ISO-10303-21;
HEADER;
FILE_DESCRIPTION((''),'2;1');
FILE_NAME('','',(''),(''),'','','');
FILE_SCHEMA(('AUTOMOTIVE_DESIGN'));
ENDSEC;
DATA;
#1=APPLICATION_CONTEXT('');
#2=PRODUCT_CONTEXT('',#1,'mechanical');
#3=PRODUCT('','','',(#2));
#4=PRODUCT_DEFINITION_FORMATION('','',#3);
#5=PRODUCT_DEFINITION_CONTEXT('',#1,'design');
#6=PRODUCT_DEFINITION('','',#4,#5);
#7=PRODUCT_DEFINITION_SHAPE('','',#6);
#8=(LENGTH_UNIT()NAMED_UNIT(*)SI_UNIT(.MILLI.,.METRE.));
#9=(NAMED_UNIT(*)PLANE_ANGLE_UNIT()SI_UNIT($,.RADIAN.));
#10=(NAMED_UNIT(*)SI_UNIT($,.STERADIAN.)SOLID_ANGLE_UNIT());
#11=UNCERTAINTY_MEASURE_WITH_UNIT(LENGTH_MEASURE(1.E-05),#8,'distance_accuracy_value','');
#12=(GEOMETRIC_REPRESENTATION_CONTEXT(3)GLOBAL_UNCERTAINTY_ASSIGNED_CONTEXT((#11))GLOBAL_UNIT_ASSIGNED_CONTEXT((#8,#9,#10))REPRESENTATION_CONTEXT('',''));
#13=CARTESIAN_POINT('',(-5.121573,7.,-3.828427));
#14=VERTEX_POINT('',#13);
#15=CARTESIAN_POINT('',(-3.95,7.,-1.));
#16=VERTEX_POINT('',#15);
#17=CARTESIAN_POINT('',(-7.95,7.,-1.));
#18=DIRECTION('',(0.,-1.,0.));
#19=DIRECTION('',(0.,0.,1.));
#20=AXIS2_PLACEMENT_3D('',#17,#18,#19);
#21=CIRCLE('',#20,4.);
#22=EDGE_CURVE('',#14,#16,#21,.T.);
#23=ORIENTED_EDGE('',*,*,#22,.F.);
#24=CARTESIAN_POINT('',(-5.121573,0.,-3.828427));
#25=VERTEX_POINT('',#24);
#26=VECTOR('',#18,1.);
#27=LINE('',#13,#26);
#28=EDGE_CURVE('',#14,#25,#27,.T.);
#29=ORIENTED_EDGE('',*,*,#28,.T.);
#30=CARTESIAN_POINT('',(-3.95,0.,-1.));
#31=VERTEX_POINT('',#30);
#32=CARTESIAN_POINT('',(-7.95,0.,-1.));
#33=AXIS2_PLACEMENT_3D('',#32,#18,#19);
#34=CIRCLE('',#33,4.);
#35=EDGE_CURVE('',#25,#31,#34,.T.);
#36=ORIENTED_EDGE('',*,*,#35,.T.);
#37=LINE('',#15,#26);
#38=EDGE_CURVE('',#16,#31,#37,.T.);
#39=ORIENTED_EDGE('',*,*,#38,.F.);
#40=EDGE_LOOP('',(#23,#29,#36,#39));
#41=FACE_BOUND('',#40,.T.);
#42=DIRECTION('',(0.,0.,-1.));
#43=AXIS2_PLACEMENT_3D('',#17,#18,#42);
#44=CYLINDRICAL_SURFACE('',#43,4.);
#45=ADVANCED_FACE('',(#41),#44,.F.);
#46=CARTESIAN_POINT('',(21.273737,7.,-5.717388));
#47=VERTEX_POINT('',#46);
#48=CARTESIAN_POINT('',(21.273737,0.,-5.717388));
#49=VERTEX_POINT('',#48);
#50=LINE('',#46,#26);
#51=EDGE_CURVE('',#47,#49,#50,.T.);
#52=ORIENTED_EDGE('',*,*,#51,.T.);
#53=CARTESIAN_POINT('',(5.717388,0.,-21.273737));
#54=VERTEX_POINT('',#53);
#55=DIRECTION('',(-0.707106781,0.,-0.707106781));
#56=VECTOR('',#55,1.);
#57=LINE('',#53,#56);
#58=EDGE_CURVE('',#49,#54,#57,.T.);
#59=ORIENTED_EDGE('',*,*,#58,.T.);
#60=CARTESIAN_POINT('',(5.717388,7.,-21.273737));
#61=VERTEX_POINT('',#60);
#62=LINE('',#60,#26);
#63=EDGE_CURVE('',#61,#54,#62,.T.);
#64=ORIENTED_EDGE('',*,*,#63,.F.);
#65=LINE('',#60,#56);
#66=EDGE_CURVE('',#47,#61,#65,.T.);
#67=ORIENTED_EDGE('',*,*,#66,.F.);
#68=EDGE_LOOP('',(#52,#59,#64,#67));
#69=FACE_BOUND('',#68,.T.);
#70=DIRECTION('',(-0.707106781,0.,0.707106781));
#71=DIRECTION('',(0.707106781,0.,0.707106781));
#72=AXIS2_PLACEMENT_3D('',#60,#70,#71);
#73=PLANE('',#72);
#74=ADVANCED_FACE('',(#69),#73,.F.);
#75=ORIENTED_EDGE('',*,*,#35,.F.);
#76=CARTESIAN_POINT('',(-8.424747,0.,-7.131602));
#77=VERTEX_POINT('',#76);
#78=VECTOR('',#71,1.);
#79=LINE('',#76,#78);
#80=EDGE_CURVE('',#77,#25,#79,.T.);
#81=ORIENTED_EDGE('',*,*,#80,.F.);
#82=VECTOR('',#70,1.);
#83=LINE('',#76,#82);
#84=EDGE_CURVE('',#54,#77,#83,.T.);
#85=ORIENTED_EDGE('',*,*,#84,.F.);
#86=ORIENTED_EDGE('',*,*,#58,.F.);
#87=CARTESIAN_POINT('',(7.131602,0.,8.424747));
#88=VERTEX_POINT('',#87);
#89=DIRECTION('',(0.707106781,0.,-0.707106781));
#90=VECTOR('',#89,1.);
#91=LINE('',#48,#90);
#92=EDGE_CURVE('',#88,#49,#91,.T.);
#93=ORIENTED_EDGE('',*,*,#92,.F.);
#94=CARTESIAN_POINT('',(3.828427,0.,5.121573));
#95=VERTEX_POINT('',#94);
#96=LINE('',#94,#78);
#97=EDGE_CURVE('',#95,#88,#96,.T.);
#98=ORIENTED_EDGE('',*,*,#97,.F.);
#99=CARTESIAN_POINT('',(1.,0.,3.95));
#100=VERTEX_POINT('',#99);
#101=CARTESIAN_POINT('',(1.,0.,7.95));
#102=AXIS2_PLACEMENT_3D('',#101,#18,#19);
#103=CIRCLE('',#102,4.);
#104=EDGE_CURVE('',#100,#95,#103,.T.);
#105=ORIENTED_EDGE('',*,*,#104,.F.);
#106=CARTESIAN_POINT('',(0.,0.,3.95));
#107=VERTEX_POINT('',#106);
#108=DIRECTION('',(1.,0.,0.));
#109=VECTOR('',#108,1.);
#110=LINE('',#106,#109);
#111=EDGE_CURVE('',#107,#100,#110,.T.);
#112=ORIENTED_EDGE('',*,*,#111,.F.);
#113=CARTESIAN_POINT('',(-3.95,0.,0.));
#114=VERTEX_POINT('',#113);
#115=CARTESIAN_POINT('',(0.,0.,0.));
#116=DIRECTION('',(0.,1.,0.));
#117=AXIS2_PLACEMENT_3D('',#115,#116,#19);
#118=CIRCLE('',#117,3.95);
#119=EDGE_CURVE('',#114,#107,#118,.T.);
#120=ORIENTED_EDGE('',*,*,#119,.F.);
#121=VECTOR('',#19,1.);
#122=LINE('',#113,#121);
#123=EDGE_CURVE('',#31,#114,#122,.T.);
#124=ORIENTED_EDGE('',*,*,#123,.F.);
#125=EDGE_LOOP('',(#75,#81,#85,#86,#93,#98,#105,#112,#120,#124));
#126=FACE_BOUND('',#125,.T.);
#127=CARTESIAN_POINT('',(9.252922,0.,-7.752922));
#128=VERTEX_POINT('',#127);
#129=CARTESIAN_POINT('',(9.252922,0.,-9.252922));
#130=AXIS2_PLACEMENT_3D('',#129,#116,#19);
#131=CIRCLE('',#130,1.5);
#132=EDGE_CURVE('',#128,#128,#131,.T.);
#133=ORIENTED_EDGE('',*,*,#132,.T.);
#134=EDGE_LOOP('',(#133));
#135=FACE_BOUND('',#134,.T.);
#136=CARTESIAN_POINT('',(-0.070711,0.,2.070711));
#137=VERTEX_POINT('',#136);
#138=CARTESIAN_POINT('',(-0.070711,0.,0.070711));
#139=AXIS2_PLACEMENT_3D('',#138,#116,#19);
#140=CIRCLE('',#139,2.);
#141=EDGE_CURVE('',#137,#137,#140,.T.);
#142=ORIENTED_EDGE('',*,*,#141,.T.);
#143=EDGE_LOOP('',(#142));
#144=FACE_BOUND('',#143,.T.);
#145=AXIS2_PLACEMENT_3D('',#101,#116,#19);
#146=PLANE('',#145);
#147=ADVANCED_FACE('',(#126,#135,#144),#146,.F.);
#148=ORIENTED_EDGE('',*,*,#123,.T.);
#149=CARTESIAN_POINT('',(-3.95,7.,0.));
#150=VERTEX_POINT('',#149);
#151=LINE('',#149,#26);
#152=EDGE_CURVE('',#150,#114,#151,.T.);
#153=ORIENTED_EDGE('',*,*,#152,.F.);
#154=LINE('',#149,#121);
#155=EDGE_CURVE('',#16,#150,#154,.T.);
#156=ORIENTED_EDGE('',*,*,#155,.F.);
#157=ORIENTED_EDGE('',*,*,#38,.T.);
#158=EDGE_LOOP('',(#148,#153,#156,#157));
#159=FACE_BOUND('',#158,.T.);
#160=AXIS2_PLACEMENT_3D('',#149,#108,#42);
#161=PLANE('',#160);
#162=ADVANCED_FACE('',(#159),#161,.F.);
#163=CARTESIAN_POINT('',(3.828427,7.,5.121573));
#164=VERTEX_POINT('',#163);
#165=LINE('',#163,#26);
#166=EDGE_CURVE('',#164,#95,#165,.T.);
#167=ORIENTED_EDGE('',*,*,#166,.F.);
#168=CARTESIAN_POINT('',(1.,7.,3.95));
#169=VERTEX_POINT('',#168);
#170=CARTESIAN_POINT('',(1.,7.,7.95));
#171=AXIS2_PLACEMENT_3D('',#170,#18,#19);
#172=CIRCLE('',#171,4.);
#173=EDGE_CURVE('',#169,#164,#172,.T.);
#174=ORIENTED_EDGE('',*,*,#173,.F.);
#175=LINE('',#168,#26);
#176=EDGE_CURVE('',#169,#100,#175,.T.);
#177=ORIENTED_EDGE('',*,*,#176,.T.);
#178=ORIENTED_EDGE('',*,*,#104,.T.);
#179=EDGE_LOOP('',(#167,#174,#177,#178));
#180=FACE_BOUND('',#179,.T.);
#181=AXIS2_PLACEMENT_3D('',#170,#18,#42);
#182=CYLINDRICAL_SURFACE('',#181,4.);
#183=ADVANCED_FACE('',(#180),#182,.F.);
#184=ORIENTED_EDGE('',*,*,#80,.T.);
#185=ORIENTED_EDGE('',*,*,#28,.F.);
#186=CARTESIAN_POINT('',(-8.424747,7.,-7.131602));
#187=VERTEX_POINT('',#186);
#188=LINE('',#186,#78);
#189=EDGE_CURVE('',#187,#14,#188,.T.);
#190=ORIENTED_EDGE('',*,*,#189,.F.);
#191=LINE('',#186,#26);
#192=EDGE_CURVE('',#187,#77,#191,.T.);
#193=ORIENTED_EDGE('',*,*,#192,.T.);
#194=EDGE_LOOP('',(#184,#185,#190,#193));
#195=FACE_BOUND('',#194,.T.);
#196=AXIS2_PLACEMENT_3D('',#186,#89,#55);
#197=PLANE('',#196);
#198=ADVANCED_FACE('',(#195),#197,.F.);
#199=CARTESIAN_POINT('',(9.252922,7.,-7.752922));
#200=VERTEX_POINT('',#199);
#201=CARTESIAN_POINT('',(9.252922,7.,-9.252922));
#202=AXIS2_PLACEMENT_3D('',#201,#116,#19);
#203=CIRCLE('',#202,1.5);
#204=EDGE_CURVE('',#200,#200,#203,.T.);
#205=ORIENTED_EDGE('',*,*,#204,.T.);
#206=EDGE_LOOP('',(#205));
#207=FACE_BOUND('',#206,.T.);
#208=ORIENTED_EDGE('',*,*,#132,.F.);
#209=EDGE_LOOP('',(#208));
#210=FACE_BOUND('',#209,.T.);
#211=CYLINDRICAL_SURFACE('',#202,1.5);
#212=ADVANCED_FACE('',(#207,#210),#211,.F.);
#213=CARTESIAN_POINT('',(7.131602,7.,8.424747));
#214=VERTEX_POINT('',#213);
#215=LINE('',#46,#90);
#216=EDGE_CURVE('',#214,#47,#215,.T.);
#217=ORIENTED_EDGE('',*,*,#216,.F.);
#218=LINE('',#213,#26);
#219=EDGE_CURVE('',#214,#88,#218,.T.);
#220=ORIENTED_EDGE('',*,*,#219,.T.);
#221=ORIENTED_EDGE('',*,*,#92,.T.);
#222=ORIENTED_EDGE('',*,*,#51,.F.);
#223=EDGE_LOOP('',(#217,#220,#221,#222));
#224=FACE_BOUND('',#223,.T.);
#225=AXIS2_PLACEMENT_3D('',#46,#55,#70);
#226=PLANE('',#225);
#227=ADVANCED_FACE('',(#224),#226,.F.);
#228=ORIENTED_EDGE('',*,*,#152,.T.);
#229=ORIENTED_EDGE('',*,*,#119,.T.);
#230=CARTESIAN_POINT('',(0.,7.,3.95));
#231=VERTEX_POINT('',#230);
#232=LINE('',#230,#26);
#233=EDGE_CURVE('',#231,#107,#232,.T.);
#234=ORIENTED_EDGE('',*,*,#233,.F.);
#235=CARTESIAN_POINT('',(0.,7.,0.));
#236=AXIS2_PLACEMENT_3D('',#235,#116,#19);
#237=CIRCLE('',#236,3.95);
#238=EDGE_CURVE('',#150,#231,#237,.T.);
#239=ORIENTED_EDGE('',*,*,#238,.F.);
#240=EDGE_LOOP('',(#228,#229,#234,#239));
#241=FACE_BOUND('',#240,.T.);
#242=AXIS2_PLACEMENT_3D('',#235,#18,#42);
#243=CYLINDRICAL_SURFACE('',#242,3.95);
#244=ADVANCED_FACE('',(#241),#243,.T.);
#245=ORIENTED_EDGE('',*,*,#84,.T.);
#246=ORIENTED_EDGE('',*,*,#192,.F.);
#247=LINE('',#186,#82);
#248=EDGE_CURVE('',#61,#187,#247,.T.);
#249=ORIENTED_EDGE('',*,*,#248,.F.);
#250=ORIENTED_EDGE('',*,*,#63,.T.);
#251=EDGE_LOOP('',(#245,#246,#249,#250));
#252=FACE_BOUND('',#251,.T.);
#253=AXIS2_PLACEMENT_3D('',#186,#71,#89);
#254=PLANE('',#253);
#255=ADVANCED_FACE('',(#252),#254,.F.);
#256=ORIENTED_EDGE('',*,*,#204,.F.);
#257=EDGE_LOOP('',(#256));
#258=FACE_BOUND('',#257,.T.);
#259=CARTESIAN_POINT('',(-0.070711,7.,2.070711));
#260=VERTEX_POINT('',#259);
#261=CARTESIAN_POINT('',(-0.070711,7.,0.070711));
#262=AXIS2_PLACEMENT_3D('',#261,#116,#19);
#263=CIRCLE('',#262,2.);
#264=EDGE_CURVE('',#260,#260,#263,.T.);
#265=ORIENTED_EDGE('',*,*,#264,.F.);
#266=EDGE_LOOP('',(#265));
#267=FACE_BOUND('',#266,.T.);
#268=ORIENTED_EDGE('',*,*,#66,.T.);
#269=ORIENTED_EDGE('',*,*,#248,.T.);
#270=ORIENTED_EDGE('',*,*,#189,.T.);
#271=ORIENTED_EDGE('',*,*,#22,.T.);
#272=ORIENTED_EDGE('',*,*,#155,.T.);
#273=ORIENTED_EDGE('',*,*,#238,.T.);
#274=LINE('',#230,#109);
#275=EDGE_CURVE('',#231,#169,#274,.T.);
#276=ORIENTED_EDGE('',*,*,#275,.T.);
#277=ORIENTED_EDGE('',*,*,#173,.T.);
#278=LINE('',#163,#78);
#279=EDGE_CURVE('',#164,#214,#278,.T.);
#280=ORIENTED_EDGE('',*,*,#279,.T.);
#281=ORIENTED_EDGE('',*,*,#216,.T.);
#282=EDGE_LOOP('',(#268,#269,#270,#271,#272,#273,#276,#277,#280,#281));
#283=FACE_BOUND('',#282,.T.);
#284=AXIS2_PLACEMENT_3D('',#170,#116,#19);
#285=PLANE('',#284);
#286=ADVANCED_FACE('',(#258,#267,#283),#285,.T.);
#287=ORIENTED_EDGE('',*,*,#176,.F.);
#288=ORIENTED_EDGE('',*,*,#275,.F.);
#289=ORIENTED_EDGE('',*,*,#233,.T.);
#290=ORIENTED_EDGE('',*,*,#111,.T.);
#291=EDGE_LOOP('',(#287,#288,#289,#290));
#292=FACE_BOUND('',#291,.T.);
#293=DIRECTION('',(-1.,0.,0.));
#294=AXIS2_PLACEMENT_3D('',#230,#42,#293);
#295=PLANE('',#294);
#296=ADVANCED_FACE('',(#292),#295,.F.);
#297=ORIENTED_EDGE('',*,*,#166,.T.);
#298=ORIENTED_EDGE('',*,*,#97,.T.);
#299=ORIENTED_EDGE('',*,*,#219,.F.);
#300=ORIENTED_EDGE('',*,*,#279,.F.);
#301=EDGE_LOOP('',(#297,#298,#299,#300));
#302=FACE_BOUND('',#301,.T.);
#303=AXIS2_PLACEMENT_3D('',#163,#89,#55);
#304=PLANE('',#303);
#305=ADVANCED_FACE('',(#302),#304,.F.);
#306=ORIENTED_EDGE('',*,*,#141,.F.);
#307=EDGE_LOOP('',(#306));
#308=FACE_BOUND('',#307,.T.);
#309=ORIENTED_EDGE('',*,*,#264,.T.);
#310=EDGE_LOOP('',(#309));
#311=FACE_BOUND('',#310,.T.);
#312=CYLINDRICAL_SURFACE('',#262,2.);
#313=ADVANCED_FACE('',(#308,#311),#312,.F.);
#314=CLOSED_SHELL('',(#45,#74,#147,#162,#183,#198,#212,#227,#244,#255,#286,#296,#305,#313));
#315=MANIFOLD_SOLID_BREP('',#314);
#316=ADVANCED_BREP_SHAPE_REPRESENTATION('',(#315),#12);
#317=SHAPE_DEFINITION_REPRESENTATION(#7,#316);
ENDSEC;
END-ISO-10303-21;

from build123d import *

# Parameters (mm, degrees)
AUFSATZ_LINEAR_AUSTRAGEN1_DEPTH = 7
F_4_0_4_DURCHMESSER_BOHRUNG1_D  = 4
F_3_0_3_DURCHMESSER_BOHRUNG1_D  = 3


with BuildPart() as part:
    # Skizze1 → Aufsatz-Linear austragen1 (new body)
    with BuildSketch(Plane(origin=(0, 0, 0), x_dir=(1, 0, 0), z_dir=(0, 1, 0))):
        with BuildLine():
            Line((0, -3.95), (1, -3.95))
            ThreePointArc((1, -3.95), (2.530733729, -4.25448187), (3.828427125, -5.121572875))
            Line((3.828427125, -5.121572875), (7.131601718, -8.424747468))
            Line((7.131601718, -8.424747468), (21.273737342, 5.717388155))
            Line((21.273737342, 5.717388155), (5.717388155, 21.273737342))
            Line((5.717388155, 21.273737342), (-8.424747468, 7.131601718))
            Line((-8.424747468, 7.131601718), (-5.121572875, 3.828427125))
            ThreePointArc((-5.121572875, 3.828427125), (-4.25448187, 2.530733729), (-3.95, 1))
            Line((-3.95, 1), (-3.95, 0))
            ThreePointArc((-3.95, 0), (-2.793071786, -2.793071786), (0, -3.95))
        make_face()
    extrude(amount=AUFSATZ_LINEAR_AUSTRAGEN1_DEPTH)

    # Ø4.0 (4) Durchmesser Bohrung1 (through all)
    with Locations(Plane(origin=(0, 7, 0), x_dir=(1, 0, 0), z_dir=(0, 1, 0))):
        with Locations((-0.070710678, -0.070710678)):
            Hole(F_4_0_4_DURCHMESSER_BOHRUNG1_D / 2)

    # Ø3.0 (3) Durchmesser Bohrung1 (through all)
    with Locations(Plane(origin=(0, 7, 0), x_dir=(1, 0, 0), z_dir=(0, 1, 0))):
        with Locations((9.252922061, 9.252922061)):
            Hole(F_3_0_3_DURCHMESSER_BOHRUNG1_D / 2)


solid = part.part
